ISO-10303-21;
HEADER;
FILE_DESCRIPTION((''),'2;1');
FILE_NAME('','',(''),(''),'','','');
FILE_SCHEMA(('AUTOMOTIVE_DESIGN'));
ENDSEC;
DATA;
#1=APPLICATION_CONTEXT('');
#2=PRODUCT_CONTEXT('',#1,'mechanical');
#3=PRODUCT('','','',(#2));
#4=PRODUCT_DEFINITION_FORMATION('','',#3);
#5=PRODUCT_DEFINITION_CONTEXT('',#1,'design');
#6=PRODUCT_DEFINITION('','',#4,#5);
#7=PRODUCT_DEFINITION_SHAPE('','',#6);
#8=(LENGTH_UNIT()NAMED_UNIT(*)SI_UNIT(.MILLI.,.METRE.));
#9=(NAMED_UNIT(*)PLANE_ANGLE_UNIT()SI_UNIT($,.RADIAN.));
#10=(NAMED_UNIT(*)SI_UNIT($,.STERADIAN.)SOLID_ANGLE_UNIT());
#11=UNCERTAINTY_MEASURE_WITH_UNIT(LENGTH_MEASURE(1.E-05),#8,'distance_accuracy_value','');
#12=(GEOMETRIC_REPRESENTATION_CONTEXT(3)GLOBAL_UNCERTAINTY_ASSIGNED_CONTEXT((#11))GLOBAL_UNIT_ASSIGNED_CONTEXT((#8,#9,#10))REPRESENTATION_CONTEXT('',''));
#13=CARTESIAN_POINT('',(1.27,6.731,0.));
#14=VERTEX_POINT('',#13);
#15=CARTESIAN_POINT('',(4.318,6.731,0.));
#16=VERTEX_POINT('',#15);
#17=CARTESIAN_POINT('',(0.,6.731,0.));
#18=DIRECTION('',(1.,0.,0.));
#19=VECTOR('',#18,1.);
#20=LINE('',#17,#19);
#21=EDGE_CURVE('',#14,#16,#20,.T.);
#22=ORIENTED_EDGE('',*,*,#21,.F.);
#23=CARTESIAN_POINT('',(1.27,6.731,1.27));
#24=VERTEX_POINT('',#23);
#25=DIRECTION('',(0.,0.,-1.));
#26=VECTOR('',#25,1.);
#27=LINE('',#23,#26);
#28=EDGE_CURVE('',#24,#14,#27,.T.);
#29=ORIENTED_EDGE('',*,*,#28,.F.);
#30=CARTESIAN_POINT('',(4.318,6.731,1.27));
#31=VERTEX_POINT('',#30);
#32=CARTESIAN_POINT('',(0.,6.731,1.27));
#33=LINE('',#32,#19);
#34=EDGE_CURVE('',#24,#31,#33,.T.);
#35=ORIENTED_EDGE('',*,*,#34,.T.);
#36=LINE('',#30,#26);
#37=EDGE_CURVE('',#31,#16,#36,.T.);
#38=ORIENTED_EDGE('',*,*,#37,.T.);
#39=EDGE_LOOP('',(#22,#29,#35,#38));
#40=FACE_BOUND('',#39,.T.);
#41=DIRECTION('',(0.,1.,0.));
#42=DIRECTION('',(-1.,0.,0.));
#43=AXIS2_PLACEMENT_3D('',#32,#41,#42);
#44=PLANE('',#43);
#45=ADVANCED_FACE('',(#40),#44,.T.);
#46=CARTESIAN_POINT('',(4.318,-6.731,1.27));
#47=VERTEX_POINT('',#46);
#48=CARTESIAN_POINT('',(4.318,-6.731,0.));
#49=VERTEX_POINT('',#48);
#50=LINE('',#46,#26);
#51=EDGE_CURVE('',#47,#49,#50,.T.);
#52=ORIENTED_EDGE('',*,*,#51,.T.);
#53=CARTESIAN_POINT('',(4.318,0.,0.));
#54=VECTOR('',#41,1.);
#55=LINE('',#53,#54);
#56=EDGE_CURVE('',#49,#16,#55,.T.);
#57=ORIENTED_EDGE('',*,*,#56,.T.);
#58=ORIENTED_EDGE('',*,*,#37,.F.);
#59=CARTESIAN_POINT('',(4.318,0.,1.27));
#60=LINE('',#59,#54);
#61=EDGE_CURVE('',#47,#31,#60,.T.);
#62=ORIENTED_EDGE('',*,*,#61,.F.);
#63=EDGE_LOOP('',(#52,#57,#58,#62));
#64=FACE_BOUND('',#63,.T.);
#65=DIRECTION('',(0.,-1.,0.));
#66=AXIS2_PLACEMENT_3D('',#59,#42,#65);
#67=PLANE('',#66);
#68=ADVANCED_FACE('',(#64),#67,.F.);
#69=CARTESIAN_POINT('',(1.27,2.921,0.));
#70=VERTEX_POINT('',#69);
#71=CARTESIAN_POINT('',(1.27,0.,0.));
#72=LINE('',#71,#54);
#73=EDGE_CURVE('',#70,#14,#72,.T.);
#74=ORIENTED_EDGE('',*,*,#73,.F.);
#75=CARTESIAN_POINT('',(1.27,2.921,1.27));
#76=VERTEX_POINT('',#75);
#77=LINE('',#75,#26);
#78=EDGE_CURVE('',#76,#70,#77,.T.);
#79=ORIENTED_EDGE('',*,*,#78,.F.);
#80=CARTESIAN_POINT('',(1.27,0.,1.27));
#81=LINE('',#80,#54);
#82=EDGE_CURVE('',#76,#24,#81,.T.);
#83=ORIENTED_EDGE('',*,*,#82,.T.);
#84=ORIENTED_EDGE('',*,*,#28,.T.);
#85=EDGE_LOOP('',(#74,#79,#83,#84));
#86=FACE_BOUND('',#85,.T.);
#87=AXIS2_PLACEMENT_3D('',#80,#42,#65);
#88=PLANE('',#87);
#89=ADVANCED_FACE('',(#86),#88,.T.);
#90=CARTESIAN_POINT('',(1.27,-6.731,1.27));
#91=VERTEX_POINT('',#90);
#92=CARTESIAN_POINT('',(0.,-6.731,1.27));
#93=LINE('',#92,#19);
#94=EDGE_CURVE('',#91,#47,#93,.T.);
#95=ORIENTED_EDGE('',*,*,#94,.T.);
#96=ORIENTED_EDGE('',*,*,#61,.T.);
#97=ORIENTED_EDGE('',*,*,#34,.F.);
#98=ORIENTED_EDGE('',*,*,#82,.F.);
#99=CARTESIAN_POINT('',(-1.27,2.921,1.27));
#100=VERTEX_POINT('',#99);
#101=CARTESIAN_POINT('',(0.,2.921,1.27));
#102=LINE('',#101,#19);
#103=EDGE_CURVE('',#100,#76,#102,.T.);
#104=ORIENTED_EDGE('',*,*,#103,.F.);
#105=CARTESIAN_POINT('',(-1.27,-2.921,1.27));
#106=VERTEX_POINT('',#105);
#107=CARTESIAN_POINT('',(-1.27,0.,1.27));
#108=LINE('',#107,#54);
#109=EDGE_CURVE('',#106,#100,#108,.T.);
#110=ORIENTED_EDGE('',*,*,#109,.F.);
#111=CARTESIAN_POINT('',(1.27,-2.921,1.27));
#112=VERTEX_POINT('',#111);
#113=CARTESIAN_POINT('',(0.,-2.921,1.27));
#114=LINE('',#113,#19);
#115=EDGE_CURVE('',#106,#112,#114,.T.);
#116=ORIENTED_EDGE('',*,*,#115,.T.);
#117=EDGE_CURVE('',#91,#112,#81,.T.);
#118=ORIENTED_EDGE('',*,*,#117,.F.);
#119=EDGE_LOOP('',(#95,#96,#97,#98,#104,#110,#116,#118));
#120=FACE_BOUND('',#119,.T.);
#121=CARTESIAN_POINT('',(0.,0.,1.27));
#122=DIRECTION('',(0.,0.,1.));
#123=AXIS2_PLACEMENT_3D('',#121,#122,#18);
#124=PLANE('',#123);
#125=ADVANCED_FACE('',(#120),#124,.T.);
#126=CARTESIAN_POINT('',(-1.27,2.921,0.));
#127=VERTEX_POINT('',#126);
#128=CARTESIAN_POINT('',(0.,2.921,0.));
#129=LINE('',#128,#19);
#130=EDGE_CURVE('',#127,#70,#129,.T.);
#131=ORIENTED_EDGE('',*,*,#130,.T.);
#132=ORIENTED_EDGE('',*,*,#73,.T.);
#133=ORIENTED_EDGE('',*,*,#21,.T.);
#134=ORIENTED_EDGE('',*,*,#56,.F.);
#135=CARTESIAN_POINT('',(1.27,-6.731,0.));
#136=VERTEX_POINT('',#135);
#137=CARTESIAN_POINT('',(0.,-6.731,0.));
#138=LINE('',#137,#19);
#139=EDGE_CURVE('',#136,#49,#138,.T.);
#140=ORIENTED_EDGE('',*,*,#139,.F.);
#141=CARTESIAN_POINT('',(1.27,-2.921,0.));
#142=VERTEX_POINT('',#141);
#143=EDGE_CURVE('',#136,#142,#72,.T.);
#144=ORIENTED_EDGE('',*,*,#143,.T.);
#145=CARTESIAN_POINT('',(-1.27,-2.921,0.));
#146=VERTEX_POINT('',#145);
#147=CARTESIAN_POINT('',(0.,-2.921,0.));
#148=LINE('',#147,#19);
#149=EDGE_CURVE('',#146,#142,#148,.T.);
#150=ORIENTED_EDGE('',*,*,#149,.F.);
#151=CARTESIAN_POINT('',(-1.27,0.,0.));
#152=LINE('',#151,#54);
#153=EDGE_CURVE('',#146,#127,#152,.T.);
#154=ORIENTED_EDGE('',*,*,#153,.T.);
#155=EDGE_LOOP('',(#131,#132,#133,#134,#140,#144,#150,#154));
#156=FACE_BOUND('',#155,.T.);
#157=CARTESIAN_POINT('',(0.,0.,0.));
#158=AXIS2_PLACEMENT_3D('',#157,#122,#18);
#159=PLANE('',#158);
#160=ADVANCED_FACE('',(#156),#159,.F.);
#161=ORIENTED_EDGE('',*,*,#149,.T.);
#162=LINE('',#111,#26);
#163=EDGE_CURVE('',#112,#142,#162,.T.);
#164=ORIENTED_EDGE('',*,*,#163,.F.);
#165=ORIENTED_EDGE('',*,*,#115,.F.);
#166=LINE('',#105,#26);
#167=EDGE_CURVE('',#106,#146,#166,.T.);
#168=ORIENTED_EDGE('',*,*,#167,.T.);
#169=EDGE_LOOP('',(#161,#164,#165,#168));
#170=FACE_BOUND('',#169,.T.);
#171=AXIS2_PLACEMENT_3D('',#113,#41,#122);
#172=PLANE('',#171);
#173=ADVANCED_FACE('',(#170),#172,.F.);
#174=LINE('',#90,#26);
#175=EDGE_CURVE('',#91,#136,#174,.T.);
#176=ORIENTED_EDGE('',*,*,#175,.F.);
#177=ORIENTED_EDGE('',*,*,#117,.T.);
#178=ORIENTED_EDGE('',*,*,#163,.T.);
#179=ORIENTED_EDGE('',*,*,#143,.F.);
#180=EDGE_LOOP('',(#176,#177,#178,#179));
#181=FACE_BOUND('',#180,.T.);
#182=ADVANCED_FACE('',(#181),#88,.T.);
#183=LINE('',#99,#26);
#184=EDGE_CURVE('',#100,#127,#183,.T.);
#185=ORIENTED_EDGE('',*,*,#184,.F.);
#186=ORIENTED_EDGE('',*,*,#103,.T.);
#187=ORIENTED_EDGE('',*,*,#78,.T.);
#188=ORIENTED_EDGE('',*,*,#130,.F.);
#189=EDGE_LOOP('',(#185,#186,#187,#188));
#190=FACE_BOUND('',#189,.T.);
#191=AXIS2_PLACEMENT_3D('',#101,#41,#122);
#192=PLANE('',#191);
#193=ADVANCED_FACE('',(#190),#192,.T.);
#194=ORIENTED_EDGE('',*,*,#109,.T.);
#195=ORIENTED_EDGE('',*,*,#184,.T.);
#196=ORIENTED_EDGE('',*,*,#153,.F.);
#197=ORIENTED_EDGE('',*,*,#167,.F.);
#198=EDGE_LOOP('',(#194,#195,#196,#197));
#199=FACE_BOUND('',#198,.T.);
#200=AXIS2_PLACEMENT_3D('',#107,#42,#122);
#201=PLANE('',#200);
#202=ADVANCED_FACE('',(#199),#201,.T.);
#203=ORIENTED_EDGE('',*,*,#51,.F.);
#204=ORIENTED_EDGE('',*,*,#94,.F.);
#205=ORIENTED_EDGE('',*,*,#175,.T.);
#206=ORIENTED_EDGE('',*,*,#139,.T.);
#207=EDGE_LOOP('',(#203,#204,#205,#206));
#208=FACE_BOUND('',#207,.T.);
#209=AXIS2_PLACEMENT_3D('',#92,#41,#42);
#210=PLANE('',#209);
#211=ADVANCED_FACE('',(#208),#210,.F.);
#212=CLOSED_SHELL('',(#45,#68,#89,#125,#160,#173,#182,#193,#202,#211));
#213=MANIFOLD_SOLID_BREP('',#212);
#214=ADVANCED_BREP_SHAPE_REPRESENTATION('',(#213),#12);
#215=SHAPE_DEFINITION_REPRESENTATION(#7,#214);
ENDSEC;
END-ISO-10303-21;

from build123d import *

# Parameters (mm, degrees)
SKETCH1_W           = 2.54
SKETCH1_H           = 5.842
BOSS_EXTRUDE1_DEPTH = 1.27


with BuildPart() as part:
    # Sketch1 → Boss-Extrude1 (new body)
    with BuildSketch(Plane.XY):
        Polygon((1.27, 2.921), (1.27, -2.921), (1.27, -6.731), (4.318, -6.731), (4.318, 6.731), (1.27, 6.731), align=None)
        Rectangle(SKETCH1_W, SKETCH1_H)
    extrude(amount=BOSS_EXTRUDE1_DEPTH)


solid = part.part
